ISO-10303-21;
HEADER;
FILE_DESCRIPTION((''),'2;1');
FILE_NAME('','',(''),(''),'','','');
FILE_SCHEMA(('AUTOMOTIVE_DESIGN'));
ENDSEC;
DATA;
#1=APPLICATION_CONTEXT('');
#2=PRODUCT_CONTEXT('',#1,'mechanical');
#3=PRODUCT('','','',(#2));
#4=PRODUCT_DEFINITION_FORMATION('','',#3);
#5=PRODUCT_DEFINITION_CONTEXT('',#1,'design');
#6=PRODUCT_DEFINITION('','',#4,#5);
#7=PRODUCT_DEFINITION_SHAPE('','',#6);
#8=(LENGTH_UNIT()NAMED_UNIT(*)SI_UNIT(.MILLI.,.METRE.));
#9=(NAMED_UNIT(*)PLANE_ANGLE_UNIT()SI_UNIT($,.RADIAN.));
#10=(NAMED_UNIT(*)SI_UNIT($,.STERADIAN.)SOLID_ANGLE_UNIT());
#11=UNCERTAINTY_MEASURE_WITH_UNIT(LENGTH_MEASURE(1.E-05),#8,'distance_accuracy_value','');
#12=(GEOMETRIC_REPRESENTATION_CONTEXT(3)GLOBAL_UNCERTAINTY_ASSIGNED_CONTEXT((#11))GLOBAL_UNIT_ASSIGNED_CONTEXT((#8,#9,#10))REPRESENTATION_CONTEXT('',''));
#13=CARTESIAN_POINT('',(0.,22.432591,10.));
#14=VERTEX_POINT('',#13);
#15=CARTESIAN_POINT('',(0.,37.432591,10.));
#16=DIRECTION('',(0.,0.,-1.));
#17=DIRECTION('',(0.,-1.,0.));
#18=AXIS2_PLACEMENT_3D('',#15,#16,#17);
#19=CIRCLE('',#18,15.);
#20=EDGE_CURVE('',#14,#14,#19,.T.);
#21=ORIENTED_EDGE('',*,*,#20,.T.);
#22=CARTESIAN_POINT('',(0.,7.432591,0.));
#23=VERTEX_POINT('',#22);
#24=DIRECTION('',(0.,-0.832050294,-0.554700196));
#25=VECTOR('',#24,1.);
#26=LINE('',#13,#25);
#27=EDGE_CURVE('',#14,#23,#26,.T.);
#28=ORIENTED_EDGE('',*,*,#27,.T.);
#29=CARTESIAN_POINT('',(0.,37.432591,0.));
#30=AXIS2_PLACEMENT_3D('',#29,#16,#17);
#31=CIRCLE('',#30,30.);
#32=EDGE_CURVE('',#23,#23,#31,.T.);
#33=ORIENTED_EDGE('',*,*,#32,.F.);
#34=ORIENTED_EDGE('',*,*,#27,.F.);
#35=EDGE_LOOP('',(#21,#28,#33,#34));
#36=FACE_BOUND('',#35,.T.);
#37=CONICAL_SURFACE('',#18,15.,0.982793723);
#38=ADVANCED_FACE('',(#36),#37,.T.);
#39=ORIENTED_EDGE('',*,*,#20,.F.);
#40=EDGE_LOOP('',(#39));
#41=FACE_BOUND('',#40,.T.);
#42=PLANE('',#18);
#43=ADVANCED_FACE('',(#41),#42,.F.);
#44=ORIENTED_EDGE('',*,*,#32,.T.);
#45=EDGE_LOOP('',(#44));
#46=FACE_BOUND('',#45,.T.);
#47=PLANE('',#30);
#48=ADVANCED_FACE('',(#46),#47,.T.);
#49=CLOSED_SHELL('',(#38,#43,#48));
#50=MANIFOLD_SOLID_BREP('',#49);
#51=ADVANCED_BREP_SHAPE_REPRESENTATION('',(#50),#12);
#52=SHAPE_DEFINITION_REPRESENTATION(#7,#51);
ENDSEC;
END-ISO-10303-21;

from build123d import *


with BuildPart() as f1:
    # F0 (on Right) → F1 (revolve)
    with BuildSketch(Plane.YZ):
        Polygon((37.432591, 0), (37.432591, 10), (22.432591, 10), (7.432591, 0), align=None)
    revolve(axis=Axis((0, 37.432591, 5), (0, 0, -1)))


solid = f1.part
